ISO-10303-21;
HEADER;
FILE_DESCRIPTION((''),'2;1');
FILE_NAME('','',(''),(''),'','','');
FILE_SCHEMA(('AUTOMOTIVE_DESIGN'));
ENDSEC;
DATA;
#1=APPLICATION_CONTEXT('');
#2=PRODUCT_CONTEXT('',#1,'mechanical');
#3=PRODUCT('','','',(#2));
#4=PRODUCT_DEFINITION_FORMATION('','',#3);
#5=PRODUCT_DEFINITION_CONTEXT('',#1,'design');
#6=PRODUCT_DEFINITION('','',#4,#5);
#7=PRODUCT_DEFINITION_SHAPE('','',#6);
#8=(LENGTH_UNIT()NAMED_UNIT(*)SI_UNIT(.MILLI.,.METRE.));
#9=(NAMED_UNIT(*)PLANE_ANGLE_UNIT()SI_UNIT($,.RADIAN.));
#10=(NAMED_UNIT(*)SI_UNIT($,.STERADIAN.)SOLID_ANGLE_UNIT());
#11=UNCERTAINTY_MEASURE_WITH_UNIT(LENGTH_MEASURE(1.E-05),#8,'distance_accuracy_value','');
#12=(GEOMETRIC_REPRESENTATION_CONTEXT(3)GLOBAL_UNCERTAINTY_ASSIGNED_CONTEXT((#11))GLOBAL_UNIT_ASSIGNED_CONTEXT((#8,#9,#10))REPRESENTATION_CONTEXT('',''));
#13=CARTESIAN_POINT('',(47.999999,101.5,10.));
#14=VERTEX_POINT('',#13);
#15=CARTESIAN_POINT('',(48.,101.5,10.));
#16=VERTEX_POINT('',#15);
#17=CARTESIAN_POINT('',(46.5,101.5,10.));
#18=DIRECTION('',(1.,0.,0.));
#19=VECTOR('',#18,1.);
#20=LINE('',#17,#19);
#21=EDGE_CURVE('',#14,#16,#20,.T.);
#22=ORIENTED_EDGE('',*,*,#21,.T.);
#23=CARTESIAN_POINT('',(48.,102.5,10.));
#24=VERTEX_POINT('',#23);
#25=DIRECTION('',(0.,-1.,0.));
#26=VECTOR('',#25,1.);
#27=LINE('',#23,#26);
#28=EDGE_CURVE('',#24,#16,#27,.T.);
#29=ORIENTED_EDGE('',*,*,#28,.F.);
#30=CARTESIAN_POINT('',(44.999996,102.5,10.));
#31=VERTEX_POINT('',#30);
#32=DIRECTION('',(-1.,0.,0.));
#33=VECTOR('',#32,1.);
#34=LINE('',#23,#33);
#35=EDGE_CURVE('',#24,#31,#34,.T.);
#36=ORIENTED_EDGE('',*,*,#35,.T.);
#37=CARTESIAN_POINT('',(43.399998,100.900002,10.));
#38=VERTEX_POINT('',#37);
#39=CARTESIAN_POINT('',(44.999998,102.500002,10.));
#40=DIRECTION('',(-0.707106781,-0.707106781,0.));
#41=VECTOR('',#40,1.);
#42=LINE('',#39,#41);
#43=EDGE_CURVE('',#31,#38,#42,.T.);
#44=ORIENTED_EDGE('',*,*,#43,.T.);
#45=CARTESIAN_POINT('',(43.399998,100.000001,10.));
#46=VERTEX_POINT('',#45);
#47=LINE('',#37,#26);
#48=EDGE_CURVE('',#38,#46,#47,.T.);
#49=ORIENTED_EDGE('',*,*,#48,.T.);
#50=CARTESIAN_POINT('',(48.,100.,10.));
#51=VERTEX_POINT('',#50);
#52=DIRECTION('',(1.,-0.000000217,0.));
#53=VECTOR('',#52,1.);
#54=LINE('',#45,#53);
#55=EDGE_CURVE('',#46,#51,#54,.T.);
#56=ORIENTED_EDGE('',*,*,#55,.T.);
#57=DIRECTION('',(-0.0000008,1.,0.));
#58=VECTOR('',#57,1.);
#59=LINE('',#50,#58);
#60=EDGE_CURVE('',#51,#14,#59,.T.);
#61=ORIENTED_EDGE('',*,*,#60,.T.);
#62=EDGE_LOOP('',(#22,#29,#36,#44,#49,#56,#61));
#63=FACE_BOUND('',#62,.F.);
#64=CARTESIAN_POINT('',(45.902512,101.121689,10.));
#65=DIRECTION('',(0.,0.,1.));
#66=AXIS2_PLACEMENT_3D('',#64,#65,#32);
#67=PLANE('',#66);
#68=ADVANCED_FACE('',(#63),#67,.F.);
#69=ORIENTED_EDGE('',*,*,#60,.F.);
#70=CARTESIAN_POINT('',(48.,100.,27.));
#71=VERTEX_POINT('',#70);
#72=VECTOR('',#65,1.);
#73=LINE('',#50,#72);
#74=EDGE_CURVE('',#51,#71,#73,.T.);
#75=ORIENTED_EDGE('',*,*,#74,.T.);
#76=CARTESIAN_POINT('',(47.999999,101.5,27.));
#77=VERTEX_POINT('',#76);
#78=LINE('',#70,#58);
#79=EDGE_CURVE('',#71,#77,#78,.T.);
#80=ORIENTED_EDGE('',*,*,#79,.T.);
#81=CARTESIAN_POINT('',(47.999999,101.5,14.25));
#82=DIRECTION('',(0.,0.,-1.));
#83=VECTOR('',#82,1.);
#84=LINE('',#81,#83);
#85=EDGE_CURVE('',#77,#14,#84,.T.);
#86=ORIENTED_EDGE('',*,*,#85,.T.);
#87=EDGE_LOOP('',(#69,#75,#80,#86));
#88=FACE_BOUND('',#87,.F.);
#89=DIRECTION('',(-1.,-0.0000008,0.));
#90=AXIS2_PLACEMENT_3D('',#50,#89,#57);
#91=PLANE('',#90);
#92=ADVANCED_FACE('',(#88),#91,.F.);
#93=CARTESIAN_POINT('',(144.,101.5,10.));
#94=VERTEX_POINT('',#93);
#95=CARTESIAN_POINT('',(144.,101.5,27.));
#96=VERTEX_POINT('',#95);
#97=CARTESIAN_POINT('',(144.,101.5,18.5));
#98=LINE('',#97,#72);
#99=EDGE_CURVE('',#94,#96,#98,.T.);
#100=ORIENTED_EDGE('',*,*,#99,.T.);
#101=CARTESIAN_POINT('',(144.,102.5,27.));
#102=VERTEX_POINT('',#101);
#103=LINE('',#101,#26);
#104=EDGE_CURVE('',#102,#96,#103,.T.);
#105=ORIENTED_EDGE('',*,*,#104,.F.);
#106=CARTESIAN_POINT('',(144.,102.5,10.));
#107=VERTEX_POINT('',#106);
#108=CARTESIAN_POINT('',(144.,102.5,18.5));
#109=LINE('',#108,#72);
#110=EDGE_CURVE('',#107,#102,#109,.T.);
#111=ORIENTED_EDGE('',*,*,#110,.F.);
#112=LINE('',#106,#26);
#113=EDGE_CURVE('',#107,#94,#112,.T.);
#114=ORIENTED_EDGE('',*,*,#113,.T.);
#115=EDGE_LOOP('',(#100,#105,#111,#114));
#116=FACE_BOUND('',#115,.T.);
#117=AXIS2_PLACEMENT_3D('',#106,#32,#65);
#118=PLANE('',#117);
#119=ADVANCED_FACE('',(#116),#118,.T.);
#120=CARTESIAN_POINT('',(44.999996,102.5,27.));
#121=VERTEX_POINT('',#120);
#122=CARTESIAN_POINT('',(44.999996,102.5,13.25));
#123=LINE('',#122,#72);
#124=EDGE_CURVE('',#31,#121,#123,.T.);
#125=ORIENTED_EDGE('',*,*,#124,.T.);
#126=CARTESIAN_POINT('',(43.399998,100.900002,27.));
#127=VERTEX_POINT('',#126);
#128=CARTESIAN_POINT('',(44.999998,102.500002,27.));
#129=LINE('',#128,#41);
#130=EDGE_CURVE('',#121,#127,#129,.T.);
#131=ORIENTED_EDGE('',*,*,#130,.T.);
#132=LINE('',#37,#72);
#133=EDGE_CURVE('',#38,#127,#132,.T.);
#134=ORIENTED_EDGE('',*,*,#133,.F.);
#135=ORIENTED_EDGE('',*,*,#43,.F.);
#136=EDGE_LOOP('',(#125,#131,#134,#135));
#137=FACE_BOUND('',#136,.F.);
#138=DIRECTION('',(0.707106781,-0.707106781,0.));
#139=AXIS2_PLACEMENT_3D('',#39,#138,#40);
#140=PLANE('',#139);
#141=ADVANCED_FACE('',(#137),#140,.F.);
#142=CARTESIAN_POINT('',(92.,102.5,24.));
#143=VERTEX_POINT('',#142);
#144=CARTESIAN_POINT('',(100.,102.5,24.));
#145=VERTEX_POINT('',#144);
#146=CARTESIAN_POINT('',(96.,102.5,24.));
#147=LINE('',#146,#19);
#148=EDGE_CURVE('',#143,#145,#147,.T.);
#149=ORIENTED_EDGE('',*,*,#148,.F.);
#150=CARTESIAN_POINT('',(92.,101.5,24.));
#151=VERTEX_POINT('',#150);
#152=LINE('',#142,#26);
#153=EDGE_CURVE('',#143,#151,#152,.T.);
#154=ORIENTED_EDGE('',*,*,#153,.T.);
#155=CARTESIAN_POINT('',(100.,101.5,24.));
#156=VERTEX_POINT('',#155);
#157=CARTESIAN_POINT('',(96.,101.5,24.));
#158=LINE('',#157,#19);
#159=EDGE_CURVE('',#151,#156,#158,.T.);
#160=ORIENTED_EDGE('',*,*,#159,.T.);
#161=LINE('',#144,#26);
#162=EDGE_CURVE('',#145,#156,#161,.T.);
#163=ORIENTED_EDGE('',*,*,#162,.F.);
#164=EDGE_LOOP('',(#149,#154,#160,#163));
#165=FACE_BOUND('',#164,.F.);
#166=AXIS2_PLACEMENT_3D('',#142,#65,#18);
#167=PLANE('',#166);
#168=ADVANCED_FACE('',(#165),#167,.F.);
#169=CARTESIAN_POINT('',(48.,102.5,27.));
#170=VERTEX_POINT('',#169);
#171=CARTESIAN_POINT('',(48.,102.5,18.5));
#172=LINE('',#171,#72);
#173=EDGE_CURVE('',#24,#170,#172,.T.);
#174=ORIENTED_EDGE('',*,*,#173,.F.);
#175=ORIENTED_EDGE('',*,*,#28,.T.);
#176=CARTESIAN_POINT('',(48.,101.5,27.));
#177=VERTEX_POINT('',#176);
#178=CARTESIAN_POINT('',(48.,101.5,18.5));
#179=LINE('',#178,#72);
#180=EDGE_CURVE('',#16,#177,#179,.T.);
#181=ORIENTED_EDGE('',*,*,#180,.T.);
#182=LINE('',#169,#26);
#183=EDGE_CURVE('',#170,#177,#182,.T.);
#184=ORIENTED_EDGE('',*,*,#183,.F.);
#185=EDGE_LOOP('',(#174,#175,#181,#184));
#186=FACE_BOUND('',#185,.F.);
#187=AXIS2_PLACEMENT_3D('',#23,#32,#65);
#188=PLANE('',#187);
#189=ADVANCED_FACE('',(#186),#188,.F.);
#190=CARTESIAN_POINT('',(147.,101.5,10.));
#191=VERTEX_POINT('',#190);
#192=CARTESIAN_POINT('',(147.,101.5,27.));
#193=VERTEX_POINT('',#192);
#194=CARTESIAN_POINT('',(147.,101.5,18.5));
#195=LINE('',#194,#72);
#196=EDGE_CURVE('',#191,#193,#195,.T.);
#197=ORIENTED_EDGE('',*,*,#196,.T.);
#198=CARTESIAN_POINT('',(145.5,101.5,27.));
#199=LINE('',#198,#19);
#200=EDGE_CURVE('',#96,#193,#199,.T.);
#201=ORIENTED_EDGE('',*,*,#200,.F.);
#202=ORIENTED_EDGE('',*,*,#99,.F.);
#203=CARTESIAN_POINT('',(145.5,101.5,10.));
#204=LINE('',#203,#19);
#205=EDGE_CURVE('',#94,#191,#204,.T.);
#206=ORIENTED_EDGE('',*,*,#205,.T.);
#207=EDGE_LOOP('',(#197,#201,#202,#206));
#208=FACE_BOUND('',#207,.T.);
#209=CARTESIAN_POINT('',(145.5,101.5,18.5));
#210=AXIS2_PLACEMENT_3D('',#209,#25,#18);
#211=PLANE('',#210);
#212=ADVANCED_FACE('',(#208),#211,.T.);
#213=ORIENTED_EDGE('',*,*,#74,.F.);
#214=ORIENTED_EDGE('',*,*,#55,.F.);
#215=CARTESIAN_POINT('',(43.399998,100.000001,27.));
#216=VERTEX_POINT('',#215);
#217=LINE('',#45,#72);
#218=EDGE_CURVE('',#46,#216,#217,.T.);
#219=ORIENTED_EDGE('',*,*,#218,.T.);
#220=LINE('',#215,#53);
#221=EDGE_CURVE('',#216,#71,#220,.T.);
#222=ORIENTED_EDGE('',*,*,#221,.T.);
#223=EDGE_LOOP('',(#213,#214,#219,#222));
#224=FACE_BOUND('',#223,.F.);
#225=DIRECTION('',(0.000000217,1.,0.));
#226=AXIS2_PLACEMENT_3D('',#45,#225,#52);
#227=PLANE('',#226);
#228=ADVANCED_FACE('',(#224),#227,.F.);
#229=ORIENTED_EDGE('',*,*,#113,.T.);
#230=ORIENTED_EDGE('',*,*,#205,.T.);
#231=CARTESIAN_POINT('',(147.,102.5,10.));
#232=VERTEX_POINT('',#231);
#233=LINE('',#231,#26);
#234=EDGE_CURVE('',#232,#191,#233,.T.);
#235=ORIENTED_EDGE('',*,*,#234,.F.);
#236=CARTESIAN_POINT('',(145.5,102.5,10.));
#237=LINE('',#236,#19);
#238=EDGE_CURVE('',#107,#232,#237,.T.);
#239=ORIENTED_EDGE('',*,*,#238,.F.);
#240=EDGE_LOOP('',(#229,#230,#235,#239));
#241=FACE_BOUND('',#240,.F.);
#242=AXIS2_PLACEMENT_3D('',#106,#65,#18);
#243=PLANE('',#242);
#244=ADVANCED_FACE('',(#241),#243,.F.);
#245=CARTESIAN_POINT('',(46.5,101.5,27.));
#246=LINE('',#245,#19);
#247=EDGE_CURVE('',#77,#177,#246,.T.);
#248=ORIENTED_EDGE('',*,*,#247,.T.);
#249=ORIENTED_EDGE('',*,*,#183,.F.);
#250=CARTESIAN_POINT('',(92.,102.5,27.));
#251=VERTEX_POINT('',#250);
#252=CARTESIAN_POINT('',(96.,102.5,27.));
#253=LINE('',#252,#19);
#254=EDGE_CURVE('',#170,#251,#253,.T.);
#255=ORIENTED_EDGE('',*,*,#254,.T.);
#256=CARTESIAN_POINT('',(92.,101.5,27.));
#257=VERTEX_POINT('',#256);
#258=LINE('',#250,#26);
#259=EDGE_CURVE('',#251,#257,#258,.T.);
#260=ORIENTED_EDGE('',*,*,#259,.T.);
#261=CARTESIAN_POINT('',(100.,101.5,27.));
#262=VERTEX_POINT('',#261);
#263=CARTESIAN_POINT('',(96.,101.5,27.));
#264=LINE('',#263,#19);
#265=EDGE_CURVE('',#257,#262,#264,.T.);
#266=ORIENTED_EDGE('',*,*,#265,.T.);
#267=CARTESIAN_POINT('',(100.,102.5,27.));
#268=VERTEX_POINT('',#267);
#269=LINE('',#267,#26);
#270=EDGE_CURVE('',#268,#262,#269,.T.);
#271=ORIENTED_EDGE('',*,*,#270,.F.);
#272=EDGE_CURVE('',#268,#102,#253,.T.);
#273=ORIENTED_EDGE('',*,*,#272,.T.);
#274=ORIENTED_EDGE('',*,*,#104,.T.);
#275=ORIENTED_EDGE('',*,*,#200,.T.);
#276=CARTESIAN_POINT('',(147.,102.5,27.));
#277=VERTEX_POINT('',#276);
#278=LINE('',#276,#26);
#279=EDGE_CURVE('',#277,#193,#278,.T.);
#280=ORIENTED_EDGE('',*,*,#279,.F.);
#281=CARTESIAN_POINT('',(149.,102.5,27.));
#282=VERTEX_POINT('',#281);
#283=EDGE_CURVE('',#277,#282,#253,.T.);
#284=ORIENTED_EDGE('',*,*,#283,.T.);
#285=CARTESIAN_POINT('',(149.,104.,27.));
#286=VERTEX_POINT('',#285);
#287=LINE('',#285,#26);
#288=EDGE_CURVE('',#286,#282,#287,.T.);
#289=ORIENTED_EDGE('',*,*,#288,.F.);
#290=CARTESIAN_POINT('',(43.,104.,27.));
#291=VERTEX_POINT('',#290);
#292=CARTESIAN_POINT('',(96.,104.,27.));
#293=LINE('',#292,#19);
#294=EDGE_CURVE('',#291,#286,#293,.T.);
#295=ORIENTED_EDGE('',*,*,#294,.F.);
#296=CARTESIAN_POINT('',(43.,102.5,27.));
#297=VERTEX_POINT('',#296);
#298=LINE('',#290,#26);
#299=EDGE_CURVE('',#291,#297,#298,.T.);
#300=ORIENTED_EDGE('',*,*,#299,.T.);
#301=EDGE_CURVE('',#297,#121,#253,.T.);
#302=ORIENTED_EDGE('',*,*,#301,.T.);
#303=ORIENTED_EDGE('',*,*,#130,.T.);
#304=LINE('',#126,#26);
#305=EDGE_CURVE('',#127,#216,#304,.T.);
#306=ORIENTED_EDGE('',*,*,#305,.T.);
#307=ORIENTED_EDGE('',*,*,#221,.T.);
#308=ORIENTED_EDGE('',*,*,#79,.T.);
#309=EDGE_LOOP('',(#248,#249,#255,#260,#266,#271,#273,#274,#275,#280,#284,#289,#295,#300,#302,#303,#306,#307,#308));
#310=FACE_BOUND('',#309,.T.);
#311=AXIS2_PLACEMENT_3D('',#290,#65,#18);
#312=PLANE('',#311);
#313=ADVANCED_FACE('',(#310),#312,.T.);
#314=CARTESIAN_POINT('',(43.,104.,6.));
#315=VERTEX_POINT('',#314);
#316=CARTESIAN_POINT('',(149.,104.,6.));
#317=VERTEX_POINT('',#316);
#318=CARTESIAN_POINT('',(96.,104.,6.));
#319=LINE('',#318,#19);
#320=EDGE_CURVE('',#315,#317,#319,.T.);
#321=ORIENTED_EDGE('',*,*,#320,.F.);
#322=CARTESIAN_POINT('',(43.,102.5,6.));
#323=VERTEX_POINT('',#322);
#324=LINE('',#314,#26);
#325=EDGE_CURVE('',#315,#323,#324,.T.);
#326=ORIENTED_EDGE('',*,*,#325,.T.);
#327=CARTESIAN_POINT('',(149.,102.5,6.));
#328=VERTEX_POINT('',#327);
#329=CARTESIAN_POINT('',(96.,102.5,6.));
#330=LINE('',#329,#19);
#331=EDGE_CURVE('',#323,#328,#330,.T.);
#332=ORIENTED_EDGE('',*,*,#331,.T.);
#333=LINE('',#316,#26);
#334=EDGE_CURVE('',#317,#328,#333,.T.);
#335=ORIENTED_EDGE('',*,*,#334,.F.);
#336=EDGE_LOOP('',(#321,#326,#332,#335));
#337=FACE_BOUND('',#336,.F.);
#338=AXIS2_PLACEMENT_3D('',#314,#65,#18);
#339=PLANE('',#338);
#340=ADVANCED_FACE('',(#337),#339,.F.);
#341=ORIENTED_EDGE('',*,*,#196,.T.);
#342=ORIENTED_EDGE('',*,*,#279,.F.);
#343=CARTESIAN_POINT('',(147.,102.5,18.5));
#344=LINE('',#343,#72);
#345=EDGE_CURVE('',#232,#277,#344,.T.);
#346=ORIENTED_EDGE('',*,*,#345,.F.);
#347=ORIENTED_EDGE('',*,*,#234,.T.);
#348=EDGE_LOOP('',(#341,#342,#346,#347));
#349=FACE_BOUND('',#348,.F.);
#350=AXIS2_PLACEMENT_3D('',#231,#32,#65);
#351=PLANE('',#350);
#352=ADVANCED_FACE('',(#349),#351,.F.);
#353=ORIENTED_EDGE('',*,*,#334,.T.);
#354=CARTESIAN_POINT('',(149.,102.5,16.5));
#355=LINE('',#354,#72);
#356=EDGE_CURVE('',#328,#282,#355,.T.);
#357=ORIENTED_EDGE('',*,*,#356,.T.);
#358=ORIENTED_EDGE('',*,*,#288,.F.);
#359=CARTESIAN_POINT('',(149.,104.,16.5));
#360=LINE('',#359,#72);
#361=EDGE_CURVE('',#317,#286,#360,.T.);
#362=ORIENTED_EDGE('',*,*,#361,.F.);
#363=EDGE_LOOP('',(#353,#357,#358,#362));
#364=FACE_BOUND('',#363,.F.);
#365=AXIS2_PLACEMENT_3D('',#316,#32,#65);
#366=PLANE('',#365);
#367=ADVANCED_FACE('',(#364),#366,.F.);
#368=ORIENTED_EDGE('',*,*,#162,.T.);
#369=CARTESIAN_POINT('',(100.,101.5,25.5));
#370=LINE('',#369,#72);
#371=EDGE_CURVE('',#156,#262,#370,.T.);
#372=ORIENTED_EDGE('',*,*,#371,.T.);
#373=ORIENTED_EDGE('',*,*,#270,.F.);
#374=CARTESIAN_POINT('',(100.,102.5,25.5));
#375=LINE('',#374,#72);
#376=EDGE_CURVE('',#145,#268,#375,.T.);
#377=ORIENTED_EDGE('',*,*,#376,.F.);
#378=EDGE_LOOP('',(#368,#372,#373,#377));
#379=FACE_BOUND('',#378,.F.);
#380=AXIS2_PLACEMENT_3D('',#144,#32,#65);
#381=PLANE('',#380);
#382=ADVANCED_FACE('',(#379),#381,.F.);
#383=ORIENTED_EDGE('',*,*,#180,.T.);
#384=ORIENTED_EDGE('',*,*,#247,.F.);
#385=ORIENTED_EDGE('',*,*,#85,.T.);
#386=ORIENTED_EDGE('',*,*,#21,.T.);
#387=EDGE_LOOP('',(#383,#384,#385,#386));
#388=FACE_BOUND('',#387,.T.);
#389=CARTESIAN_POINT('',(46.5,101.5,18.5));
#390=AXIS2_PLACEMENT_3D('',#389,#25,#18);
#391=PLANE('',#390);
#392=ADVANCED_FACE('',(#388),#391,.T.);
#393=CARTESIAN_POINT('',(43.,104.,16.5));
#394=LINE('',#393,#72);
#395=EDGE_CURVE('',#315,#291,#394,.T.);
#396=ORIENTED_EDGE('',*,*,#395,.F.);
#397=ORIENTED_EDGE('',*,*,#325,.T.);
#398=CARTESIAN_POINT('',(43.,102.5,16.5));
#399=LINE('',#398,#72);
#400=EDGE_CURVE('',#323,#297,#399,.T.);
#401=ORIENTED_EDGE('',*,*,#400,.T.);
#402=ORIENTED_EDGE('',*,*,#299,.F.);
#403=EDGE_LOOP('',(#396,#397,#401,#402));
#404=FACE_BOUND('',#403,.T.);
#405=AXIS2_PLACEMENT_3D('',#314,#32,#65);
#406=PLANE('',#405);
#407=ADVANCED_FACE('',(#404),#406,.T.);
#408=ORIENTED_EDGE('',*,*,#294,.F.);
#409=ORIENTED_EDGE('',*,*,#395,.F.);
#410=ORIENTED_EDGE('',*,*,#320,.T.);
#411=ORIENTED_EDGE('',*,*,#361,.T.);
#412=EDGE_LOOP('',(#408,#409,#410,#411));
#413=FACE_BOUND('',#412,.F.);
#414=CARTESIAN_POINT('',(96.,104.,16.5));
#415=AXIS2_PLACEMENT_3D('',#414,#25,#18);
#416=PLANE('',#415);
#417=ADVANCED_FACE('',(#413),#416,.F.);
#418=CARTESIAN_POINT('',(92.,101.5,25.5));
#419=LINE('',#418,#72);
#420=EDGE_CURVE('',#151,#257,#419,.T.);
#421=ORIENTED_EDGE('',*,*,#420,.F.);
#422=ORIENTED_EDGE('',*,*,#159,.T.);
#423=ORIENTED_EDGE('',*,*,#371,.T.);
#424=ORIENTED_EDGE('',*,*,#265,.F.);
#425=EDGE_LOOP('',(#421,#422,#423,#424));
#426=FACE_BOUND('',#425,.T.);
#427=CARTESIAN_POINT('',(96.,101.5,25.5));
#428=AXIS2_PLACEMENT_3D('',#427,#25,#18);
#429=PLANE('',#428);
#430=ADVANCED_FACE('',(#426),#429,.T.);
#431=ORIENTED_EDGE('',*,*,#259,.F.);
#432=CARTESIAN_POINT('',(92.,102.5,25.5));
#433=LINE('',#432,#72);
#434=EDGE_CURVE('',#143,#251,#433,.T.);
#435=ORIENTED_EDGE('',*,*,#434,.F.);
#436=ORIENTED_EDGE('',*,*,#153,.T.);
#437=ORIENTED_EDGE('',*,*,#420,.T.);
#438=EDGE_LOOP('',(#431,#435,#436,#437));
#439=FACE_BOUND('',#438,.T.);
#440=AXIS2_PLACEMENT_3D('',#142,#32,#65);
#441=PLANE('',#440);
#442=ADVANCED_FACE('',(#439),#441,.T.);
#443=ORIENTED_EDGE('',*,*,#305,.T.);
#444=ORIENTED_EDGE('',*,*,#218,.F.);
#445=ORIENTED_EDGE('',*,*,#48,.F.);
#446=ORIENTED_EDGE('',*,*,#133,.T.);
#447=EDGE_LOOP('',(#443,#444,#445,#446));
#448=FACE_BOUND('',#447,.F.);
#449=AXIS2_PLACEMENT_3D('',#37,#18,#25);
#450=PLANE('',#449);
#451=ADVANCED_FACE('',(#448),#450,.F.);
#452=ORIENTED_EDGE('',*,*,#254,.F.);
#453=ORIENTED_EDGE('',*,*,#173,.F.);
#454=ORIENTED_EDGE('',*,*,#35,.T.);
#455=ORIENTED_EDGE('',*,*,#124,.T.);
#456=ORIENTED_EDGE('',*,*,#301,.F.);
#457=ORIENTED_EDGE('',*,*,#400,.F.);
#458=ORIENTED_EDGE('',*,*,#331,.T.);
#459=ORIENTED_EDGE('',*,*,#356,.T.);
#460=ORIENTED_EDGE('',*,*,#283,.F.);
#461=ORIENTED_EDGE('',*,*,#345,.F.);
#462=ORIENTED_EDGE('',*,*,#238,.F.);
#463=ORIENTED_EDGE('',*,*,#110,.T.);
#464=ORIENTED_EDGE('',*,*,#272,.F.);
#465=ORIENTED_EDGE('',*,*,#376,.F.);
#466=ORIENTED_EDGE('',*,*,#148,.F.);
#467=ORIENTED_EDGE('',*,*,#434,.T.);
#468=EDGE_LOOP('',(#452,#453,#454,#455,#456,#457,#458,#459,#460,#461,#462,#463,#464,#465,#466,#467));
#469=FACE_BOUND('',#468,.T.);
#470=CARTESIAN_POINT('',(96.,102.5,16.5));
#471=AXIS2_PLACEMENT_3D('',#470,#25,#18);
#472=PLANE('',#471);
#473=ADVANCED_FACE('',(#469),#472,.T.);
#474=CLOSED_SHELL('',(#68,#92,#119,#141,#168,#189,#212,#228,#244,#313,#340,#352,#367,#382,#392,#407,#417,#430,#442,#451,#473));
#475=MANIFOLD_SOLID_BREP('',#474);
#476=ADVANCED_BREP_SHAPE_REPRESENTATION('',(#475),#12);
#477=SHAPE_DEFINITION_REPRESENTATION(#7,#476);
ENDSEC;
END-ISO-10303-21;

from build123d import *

# Parameters (mm, degrees)
SKETCH026_W   = 106
SKETCH026_H   = 21
PAD_DEPTH     = 1.5
SKETCH027_W   = 3
SKETCH027_H   = 17
SKETCH027_W_2 = 8
SKETCH027_H_2 = 3
PAD012_DEPTH  = 1
PAD014_DEPTH  = 17


with BuildPart() as part:
    # Sketch026 → Pad (new body)
    with BuildSketch(Plane.XZ.offset(-104)):
        with Locations((-96, 16.5)):
            Rectangle(SKETCH026_W, SKETCH026_H)
    extrude(amount=PAD_DEPTH)

    # Sketch027 (on Face6 of Pad) → Pad012 (join)
    with BuildSketch(Plane.XZ.offset(-102.5)):
        with Locations((-145.5, 18.5)):
            Rectangle(SKETCH027_W, SKETCH027_H)
        with Locations((-46.5, 18.5)):
            Rectangle(SKETCH027_W, SKETCH027_H)
        with Locations((-96, 25.5)):
            Rectangle(SKETCH027_W_2, SKETCH027_H_2)
    extrude(amount=PAD012_DEPTH)

    # Sketch030 (on Face13 of Pad012) → Pad014 (join)
    with BuildSketch(Plane(origin=(0, 0, 10), x_dir=(1, 0, 0), z_dir=(0, 0, -1))):
        Polygon((-147.000002, -102.500002), (-148.600002, -100.900002), (-148.600002, -100.000001), (-144, -100), (-144.000002, -102.500002), align=None)
    extrude(amount=-PAD014_DEPTH)


with BuildPart() as part_1:
    # Body011 placement: moved
    add(part.part.moved(Location((192, 0, 0))))


solid = part_1.part
